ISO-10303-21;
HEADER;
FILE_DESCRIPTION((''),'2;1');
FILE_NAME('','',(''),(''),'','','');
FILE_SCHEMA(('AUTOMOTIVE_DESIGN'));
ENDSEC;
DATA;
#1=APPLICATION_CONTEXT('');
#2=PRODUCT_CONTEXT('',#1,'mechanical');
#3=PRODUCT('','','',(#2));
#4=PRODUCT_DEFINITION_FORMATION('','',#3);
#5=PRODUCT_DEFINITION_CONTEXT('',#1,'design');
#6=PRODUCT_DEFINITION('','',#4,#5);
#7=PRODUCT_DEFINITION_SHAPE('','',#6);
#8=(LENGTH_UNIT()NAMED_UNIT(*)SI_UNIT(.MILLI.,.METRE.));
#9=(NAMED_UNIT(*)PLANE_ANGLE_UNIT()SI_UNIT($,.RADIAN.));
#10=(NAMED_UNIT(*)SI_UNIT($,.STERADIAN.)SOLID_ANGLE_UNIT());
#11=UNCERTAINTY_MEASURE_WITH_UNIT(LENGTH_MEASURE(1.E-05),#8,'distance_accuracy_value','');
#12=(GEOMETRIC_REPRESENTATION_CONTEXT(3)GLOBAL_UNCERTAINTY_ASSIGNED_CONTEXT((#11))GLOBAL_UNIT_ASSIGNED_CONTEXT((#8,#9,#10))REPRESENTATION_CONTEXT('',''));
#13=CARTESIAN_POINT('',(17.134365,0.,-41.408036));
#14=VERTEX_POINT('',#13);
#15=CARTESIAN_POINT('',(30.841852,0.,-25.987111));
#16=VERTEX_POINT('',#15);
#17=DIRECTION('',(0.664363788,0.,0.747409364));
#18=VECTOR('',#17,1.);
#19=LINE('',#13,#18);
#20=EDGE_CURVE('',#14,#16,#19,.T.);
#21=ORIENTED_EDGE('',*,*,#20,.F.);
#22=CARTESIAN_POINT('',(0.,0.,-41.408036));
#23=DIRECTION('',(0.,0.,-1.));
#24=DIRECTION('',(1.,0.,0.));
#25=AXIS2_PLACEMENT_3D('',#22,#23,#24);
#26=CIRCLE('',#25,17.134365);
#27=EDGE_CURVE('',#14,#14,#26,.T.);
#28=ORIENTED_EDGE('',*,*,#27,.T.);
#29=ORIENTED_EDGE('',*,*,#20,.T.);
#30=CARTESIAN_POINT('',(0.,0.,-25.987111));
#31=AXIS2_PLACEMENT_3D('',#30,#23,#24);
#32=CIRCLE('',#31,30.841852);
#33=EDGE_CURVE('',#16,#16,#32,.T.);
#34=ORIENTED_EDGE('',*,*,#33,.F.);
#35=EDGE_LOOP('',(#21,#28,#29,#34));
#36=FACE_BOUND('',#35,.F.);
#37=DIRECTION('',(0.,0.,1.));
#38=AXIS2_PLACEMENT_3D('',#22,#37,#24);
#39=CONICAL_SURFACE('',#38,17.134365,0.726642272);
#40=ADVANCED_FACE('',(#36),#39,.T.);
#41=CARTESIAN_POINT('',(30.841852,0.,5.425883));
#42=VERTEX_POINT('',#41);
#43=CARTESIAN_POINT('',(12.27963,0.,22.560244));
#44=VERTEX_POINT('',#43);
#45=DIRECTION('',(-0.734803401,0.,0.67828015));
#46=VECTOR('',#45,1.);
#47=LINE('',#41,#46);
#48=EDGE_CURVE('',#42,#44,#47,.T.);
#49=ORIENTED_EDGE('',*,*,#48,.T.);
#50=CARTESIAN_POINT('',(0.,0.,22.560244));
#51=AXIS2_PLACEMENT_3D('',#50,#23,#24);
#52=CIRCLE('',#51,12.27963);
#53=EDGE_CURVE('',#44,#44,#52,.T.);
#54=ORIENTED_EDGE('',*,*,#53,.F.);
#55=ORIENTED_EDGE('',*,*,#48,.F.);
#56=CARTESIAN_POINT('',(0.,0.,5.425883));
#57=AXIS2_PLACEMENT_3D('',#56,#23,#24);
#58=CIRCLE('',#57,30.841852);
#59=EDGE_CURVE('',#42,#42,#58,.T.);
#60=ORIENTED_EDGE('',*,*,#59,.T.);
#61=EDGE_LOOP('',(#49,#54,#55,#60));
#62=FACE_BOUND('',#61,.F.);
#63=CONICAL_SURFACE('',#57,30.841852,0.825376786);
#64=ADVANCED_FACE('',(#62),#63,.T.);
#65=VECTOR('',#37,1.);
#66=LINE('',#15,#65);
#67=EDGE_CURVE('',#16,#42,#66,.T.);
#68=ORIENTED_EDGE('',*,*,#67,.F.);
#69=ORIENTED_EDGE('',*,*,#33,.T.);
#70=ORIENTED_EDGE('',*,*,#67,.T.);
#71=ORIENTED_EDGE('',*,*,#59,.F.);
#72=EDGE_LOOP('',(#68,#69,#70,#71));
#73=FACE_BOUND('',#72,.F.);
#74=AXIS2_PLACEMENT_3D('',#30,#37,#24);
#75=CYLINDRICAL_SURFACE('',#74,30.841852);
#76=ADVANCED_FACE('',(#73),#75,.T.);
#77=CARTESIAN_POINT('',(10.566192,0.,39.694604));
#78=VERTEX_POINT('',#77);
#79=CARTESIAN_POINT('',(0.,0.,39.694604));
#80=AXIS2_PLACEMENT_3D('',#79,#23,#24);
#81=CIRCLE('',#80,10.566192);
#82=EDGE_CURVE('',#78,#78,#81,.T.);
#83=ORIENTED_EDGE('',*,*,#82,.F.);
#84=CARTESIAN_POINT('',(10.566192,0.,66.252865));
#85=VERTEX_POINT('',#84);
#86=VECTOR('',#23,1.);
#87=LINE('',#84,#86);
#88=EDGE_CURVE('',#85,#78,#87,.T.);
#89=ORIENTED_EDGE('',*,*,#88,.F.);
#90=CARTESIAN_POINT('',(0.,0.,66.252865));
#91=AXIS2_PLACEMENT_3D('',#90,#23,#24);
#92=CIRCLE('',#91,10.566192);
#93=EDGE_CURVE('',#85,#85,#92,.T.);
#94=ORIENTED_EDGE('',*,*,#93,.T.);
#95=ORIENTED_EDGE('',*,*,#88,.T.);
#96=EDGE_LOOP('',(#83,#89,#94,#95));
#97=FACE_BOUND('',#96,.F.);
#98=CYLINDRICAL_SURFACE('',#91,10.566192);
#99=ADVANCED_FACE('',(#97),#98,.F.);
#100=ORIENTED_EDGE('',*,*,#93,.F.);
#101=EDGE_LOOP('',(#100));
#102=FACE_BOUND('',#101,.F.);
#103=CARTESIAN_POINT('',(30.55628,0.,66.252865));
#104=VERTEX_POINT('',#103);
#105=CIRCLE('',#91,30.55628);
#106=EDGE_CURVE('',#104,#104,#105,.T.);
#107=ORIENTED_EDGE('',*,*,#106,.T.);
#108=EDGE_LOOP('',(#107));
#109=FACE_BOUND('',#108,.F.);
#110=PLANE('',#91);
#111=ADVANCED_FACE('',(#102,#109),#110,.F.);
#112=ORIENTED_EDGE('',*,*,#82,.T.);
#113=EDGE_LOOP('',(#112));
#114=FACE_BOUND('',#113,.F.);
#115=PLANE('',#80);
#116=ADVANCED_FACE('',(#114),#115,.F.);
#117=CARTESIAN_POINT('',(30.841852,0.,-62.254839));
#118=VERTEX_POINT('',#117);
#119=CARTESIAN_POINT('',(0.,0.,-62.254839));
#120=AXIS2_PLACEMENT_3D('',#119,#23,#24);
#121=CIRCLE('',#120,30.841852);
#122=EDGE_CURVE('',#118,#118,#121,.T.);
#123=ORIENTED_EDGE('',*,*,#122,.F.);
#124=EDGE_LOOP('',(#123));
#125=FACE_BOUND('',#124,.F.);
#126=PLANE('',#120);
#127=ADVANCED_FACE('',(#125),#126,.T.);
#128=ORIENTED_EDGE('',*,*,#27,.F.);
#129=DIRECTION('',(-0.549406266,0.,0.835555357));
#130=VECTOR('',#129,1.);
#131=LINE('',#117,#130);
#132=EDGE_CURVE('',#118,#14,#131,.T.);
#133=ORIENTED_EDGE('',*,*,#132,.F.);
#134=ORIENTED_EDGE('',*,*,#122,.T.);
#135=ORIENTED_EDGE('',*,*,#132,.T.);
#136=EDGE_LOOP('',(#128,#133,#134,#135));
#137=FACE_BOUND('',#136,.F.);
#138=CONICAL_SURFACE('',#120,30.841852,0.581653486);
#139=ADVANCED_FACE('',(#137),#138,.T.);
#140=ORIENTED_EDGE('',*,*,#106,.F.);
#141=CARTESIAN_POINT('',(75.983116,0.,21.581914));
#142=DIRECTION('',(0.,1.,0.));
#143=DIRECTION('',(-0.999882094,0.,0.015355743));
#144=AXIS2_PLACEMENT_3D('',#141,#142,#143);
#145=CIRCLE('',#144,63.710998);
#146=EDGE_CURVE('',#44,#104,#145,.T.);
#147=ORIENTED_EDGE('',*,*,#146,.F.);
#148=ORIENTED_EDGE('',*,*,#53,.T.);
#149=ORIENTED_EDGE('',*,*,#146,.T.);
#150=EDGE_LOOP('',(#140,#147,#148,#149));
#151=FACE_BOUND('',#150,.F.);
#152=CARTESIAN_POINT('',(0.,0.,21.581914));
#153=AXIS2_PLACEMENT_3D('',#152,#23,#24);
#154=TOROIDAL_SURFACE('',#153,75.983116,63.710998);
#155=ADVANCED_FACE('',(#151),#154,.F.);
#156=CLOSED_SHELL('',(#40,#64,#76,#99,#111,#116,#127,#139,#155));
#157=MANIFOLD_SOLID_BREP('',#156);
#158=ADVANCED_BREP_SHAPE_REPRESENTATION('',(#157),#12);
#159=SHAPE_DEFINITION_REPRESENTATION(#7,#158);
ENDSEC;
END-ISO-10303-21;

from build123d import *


with BuildPart() as f1:
    # F0 (on Front) → F1 (revolve)
    with BuildSketch(Plane.XZ):
        with BuildLine():
            Line((10.566192, 39.694604), (0, 39.694604))
            Line((0, 39.694604), (0, -62.254839))
            Line((0, -62.254839), (30.841852, -62.254839))
            Line((30.841852, -62.254839), (17.134365, -41.408036))
            Line((17.134365, -41.408036), (30.841852, -25.987111))
            Line((30.841852, -25.987111), (30.841852, 5.425883))
            Line((30.841852, 5.425883), (12.27963, 22.560244))
            ThreePointArc((12.27963, 22.560244), (17.207117, 46.167951), (30.55628, 66.252865))
            Line((30.55628, 66.252865), (10.566192, 66.252865))
            Line((10.566192, 66.252865), (10.566192, 39.694604))
        make_face()
    revolve(axis=Axis((0, 0, 6.710961), (0, 0, -1)))


solid = f1.part
